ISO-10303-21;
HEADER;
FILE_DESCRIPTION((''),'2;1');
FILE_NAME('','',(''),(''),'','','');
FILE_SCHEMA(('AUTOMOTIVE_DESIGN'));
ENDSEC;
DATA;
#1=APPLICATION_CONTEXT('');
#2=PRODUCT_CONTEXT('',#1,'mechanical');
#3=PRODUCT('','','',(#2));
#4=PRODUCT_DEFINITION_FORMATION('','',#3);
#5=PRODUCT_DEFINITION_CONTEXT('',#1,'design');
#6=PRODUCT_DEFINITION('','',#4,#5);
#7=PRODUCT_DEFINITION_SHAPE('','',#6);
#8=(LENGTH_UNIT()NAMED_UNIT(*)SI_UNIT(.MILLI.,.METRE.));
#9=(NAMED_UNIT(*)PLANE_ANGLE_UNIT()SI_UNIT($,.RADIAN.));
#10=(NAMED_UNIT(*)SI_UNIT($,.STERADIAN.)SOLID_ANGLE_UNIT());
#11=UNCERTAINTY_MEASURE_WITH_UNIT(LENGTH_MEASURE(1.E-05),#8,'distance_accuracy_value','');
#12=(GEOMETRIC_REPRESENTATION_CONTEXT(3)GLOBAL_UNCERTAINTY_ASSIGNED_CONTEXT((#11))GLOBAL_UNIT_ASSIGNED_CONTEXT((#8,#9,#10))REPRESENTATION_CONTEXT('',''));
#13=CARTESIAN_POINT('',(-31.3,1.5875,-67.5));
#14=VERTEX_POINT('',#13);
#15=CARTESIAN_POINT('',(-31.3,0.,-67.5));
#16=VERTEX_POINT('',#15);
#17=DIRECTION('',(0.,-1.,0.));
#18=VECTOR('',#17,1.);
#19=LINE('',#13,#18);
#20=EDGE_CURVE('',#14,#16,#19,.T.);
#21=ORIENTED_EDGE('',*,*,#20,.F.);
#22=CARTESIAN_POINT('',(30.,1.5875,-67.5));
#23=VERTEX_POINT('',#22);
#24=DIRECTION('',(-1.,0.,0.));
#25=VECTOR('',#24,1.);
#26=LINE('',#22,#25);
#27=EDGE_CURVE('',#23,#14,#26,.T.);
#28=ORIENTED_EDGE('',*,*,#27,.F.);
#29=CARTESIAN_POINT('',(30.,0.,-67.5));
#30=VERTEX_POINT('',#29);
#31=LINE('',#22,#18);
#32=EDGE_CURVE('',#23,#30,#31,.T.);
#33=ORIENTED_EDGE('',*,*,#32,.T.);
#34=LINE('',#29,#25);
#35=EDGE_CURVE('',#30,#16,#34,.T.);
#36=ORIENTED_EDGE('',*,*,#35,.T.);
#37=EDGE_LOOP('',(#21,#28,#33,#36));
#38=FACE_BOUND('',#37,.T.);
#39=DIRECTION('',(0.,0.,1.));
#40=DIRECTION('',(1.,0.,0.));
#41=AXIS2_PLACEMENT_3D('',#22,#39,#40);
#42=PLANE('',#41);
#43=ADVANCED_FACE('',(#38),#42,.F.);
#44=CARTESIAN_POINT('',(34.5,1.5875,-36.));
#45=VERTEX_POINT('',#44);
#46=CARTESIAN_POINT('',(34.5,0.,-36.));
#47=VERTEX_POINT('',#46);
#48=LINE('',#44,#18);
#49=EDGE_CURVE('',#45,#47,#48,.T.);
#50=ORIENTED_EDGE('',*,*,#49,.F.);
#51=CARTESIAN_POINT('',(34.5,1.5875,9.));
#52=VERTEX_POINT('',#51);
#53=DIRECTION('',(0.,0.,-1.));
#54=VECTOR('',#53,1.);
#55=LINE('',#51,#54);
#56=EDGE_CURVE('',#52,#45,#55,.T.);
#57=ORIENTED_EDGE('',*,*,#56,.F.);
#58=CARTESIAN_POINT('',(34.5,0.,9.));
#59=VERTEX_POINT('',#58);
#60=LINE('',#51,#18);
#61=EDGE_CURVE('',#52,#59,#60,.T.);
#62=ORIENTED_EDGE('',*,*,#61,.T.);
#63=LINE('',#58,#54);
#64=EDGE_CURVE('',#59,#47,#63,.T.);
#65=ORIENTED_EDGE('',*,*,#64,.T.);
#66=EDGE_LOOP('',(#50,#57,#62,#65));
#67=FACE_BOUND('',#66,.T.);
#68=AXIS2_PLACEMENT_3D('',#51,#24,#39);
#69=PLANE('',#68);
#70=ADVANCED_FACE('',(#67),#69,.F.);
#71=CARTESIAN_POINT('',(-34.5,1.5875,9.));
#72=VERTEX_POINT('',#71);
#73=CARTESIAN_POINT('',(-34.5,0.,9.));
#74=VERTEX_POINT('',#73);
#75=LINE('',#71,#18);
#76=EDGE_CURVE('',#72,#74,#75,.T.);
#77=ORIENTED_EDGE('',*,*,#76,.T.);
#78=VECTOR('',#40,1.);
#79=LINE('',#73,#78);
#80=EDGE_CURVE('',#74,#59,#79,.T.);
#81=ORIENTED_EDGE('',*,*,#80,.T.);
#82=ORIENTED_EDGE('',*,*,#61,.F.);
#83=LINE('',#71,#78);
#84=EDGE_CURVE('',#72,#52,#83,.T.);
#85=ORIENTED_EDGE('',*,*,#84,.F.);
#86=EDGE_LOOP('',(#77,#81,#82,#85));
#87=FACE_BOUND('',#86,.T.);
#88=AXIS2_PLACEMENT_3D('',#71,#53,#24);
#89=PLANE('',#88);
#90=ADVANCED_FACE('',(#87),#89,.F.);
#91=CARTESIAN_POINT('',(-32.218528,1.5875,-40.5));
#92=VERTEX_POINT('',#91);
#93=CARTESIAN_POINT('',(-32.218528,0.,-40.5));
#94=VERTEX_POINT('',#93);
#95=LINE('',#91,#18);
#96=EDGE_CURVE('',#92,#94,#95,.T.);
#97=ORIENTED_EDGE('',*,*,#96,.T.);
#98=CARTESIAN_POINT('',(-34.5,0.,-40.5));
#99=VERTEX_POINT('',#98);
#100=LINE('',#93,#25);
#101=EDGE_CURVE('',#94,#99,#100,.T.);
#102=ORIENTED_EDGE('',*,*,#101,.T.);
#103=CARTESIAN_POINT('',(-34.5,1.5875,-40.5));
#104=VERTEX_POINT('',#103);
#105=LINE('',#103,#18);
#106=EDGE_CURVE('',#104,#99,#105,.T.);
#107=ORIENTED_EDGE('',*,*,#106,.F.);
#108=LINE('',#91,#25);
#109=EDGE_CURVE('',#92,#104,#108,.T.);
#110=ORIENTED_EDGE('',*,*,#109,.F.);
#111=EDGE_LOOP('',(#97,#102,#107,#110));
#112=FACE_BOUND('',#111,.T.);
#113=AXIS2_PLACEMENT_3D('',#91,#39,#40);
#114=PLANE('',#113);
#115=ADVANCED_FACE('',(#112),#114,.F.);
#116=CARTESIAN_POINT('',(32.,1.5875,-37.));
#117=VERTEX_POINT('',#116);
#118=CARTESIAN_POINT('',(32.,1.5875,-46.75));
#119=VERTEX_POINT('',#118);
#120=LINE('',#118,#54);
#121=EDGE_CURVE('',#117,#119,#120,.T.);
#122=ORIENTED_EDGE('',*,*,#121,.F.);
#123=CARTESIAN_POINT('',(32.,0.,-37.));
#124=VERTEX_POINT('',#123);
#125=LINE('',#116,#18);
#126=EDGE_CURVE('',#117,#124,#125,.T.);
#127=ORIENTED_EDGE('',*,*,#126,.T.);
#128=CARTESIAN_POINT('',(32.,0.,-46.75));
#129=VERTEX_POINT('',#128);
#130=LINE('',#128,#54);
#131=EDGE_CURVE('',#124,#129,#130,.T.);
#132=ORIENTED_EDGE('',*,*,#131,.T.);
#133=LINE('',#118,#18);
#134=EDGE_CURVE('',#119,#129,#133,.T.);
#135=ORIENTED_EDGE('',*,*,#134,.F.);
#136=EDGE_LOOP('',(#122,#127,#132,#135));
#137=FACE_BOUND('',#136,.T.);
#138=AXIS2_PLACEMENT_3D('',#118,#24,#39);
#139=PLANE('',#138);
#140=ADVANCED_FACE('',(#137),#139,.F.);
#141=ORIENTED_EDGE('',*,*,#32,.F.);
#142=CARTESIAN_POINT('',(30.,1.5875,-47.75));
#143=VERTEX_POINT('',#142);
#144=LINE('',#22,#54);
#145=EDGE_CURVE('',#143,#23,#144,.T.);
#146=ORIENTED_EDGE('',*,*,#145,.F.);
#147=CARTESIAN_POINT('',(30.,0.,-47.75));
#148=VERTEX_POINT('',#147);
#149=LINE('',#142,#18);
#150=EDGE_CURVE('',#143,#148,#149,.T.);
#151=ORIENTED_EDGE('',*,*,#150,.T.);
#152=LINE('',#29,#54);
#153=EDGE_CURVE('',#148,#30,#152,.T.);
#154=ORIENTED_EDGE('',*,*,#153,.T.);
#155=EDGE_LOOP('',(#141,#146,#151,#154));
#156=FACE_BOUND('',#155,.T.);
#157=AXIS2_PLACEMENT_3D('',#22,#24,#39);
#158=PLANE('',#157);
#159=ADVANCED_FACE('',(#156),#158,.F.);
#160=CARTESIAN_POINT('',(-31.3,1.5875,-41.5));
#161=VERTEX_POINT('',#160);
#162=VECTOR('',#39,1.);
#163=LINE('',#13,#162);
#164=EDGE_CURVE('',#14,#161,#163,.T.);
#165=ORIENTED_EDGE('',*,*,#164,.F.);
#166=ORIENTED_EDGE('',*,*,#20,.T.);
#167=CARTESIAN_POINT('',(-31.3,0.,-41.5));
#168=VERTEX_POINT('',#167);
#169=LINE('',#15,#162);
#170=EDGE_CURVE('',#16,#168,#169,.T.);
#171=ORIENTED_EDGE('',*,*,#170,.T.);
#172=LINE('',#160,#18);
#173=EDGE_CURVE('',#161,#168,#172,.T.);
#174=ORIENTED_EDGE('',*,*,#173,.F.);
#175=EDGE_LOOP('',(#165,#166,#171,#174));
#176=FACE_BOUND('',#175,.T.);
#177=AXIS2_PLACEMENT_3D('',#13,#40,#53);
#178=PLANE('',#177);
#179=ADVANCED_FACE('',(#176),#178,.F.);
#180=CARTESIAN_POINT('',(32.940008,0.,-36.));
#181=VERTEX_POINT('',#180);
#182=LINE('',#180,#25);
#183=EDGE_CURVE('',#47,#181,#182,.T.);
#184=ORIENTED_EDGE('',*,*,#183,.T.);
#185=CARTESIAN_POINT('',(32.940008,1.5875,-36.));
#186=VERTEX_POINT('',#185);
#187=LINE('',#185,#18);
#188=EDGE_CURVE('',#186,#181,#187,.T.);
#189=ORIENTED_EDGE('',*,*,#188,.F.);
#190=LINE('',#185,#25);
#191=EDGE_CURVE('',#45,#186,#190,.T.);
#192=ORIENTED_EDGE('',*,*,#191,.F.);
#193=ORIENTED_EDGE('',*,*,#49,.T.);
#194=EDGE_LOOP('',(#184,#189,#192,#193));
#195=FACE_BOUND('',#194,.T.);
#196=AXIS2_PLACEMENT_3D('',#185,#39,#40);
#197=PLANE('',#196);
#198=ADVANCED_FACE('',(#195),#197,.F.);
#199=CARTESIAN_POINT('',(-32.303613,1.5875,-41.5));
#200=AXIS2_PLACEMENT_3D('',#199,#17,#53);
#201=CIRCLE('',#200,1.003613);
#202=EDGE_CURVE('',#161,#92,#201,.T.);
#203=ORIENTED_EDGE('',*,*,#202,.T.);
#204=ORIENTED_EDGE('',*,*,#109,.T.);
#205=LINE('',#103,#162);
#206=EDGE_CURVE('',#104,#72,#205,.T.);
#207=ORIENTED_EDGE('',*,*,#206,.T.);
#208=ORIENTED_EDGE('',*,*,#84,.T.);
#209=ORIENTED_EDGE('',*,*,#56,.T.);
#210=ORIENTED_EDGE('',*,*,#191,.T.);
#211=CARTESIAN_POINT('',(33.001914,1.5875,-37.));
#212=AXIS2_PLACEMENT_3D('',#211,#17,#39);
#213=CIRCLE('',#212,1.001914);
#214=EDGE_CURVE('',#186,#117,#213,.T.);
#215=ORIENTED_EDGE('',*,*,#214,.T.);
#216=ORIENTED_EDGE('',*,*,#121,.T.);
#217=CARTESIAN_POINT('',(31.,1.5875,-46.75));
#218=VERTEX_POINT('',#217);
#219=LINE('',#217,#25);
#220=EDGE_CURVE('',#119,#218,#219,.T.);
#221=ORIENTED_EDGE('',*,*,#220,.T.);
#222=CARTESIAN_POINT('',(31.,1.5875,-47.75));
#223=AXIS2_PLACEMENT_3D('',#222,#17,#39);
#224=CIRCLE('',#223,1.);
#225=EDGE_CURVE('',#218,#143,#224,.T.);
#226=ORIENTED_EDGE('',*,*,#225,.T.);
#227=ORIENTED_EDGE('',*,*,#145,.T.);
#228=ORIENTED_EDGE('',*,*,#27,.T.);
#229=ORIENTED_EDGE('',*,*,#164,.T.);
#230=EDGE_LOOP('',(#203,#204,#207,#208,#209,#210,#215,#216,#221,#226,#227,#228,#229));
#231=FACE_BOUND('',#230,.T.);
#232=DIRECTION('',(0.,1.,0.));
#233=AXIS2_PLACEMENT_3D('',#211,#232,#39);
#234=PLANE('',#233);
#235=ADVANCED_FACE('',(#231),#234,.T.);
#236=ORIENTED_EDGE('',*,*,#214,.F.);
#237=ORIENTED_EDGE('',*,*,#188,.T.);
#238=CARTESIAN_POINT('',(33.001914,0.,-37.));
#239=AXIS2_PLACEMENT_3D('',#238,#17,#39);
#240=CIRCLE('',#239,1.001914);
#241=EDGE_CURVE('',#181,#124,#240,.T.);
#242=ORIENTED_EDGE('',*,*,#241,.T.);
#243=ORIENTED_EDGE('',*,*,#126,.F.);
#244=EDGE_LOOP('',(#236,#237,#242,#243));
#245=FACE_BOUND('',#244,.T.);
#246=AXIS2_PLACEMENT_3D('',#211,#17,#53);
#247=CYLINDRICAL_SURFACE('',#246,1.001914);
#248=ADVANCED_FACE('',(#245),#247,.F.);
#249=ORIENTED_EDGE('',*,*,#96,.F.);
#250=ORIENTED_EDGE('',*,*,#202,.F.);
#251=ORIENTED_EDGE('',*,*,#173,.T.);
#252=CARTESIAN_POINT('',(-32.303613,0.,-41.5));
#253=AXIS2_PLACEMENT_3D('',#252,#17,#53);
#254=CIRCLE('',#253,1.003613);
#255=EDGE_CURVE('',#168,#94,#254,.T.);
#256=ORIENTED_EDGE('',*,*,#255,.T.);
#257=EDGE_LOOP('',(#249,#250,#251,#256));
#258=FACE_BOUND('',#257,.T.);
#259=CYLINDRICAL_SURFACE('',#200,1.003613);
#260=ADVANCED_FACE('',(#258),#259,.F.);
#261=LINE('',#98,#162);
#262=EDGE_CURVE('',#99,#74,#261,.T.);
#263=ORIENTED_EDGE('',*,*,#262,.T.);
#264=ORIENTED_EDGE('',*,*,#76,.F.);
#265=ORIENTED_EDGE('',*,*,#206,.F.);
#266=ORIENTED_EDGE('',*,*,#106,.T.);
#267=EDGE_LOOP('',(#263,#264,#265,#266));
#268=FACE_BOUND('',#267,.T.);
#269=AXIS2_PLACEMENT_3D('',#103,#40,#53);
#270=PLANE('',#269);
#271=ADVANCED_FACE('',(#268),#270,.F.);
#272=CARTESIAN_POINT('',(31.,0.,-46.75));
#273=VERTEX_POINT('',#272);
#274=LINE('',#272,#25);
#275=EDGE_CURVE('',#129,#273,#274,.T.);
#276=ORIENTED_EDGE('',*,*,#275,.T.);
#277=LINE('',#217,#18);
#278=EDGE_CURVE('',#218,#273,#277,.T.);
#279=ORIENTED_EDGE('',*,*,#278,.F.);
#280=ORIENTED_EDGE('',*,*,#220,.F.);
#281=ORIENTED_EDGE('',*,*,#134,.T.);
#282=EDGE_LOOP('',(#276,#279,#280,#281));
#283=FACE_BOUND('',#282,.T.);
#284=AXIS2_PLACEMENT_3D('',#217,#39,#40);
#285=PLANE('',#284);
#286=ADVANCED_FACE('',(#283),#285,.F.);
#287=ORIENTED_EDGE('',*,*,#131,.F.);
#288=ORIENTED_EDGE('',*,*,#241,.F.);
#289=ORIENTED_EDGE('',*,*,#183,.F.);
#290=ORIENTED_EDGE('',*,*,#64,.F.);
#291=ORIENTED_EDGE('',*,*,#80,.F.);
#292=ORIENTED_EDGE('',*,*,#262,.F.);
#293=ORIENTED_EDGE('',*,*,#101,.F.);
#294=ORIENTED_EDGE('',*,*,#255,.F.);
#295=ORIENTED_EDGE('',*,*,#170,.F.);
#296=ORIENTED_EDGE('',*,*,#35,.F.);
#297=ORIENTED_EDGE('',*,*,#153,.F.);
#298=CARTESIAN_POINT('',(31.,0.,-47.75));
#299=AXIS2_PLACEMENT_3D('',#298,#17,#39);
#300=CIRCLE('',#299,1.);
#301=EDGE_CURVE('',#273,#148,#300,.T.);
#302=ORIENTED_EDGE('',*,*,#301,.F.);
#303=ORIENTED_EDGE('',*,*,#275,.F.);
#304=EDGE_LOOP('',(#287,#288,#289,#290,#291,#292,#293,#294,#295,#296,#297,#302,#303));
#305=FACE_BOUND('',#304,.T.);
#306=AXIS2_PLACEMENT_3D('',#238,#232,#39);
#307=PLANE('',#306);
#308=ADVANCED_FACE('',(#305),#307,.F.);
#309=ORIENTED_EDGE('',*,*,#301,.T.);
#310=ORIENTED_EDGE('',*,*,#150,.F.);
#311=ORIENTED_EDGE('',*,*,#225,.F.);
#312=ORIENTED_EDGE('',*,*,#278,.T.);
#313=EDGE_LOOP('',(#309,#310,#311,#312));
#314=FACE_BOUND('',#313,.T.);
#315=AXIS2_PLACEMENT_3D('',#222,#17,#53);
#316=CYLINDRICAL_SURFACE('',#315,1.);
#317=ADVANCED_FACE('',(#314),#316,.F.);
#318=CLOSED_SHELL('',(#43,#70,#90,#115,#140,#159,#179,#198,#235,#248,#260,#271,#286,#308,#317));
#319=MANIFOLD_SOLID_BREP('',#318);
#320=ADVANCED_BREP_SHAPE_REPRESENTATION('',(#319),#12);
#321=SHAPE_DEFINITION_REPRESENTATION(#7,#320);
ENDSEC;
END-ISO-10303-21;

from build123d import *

# Parameters (mm, degrees)
FR4_DEPTH = 1.5875


with BuildPart() as part:
    # Sketch1 → FR4 (new body)
    with BuildSketch(Plane(origin=(0, 0, 0), x_dir=(1, 0, 0), z_dir=(0, 1, 0))):
        with BuildLine():
            Line((-34.5, -9), (34.5, -9))
            Line((34.5, -9), (34.5, 36))
            Line((34.5, 36), (32.940007652, 36))
            ThreePointArc((32.940007652, 36), (32.271894631, 36.313775841), (32, 37))
            Line((32, 37), (32, 46.75))
            Line((32, 46.75), (31, 46.75))
            ThreePointArc((31, 46.75), (30.292893219, 47.042893219), (30, 47.75))
            Line((30, 47.75), (30, 67.5))
            Line((30, 67.5), (-31.3, 67.5))
            Line((-31.3, 67.5), (-31.3, 41.5))
            ThreePointArc((-31.3, 41.5), (-31.564481186, 40.821086647), (-32.218527823, 40.5))
            Line((-32.218527823, 40.5), (-34.5, 40.5))
            Line((-34.5, 40.5), (-34.5, -9))
        make_face()
    extrude(amount=FR4_DEPTH)


solid = part.part
